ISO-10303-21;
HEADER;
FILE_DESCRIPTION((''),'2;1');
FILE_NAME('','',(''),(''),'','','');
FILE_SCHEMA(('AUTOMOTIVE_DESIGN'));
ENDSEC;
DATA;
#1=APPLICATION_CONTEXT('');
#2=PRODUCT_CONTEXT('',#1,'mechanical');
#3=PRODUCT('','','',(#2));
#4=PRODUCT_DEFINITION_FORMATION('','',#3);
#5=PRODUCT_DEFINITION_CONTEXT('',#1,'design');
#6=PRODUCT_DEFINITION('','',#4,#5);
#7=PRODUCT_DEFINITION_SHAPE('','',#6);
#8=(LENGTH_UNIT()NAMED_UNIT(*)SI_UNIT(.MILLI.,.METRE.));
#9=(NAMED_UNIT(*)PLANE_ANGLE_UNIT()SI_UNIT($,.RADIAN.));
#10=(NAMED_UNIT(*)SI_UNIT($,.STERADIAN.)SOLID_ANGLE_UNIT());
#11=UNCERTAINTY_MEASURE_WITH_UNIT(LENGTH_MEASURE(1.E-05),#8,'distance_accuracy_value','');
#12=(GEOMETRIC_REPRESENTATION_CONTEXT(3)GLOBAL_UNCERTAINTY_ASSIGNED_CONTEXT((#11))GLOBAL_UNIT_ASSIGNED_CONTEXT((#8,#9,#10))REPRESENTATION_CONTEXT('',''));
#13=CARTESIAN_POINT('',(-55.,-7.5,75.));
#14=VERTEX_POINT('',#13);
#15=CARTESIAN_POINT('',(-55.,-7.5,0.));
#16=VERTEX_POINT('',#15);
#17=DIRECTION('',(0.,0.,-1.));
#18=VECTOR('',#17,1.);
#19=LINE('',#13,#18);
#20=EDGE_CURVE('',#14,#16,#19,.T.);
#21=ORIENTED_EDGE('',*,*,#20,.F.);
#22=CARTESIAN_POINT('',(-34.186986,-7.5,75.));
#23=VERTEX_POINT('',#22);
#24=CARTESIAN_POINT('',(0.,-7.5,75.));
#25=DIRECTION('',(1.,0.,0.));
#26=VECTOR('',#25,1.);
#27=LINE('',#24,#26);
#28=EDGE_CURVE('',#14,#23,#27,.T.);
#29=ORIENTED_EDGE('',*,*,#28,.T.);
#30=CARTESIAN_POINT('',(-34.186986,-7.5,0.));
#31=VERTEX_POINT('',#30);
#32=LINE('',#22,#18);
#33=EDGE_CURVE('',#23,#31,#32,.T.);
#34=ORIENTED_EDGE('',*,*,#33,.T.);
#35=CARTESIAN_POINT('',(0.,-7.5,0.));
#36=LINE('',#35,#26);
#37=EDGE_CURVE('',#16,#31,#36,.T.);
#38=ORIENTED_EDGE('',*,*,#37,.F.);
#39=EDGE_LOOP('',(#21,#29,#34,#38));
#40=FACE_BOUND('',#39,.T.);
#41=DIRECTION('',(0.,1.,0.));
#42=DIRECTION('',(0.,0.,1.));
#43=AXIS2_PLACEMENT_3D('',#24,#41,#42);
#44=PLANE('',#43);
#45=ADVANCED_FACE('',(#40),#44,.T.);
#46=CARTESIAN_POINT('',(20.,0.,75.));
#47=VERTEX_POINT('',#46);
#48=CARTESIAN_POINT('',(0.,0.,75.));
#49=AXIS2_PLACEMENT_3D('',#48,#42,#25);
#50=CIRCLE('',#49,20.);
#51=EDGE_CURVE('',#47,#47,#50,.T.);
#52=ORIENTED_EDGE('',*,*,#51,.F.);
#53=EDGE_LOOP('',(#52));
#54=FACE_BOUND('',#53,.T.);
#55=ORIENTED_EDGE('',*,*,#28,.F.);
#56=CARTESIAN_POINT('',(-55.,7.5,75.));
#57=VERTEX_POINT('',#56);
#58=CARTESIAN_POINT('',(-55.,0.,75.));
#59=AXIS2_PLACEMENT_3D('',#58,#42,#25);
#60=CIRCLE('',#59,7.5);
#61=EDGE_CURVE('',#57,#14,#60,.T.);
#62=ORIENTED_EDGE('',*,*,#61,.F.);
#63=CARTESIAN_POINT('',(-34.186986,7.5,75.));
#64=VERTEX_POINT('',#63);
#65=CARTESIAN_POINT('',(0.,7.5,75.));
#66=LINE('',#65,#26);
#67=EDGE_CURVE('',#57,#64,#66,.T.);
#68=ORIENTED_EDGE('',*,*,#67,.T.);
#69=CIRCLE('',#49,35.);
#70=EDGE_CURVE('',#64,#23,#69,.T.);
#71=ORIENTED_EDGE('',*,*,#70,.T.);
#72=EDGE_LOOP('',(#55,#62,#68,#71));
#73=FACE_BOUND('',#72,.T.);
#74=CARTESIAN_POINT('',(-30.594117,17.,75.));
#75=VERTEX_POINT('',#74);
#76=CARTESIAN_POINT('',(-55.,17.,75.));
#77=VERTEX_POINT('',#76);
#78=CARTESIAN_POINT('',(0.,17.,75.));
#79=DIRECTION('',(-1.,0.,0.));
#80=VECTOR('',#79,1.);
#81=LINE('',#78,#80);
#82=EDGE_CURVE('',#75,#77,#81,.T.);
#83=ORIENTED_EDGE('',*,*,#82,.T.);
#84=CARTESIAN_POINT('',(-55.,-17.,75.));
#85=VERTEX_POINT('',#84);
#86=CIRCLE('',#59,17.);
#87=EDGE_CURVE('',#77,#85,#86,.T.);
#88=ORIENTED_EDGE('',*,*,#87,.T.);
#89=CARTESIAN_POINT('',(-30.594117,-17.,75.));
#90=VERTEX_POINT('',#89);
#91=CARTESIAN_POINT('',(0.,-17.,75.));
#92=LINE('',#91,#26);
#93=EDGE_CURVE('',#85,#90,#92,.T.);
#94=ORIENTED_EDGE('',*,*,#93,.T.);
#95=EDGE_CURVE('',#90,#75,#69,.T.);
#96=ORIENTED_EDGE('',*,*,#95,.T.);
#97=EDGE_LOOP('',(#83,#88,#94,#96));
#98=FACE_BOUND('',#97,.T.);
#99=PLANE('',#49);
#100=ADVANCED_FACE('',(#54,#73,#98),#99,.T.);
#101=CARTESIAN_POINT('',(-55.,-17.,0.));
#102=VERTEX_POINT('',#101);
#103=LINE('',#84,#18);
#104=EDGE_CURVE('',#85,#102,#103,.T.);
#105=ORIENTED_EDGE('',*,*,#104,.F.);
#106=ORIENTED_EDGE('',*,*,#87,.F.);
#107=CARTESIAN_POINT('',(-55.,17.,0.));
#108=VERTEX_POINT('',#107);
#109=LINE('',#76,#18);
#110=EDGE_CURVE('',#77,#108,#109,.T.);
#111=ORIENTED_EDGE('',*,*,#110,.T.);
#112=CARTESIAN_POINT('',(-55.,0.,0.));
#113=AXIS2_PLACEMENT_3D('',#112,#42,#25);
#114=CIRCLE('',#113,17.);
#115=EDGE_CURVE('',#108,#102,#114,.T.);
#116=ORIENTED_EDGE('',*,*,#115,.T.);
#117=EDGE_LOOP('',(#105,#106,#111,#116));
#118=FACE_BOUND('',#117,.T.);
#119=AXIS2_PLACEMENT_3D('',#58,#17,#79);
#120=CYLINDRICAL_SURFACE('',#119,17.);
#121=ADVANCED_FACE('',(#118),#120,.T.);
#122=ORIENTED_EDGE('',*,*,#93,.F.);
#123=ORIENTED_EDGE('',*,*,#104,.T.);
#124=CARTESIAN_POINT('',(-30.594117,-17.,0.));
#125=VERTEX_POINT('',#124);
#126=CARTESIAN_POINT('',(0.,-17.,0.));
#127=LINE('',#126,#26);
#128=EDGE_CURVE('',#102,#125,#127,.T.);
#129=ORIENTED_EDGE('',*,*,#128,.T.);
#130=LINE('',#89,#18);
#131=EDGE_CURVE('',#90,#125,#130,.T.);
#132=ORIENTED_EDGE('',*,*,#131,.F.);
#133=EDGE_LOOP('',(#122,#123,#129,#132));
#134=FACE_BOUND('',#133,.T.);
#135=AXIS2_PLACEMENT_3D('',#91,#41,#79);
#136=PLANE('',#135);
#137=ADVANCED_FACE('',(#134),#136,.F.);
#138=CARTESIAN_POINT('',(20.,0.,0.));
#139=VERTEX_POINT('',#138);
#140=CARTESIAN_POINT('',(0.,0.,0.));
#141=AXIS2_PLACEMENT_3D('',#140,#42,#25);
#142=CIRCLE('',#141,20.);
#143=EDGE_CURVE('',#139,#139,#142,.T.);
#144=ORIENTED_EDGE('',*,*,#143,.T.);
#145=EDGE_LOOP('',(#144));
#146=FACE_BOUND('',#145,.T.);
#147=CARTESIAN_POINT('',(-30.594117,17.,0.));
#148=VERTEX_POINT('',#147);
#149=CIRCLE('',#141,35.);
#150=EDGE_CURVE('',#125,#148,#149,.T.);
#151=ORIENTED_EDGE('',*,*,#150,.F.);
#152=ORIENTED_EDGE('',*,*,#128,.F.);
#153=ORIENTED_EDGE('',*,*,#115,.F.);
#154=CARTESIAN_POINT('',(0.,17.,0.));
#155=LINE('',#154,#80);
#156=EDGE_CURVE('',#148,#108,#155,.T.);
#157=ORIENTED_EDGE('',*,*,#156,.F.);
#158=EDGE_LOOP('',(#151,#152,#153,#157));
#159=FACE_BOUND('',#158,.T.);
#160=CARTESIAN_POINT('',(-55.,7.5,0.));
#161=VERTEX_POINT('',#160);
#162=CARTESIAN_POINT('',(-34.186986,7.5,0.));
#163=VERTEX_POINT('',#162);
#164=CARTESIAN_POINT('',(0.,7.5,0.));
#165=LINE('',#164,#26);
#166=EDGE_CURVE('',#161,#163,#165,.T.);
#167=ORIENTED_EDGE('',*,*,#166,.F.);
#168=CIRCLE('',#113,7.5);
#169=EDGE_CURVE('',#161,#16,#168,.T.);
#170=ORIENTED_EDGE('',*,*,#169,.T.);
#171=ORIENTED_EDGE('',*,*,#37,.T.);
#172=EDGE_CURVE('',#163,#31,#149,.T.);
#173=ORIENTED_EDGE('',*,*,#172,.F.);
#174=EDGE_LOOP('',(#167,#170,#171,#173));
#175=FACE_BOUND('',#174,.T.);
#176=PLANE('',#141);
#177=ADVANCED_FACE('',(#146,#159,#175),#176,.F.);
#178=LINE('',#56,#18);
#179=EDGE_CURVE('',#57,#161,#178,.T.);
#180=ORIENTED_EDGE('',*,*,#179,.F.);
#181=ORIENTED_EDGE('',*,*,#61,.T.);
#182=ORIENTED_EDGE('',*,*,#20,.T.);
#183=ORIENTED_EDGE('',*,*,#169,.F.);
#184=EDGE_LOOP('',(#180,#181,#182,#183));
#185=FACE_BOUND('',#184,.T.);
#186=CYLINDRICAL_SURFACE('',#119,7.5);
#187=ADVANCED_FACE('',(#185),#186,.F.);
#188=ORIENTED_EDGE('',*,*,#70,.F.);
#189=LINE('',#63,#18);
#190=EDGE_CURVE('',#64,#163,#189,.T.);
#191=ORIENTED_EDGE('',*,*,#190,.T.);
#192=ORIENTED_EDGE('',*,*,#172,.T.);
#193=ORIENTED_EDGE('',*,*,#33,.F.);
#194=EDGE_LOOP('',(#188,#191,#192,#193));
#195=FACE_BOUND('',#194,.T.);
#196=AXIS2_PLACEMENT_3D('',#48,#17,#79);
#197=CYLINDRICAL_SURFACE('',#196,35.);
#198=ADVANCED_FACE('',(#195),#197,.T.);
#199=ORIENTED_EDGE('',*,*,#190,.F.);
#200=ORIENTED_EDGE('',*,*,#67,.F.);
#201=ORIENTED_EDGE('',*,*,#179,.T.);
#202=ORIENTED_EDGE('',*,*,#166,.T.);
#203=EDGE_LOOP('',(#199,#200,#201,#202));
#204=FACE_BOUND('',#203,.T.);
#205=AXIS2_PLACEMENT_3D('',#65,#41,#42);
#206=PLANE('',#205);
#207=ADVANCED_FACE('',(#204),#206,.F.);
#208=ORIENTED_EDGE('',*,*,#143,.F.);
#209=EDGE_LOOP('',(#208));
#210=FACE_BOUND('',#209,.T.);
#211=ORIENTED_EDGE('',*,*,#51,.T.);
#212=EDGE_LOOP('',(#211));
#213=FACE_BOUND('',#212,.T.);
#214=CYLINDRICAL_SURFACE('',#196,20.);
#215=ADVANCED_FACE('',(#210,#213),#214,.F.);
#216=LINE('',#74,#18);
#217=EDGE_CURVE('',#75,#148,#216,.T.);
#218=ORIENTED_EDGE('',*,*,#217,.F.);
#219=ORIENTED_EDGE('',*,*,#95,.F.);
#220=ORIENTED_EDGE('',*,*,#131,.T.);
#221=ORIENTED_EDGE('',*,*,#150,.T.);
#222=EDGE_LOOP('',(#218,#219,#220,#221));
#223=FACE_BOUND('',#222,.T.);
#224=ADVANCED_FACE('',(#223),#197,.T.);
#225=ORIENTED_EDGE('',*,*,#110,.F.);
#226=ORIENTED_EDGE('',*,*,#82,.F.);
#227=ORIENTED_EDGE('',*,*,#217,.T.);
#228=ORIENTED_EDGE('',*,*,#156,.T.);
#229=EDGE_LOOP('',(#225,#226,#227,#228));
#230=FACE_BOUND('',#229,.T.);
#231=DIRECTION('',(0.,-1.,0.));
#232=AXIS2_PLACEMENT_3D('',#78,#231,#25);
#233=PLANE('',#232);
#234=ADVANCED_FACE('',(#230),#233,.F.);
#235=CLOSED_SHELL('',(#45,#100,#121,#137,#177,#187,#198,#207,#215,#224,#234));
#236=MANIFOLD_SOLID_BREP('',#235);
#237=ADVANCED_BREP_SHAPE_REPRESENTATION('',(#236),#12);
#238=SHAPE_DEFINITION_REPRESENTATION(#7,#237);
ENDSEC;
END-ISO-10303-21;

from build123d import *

# Parameters (mm, degrees)
SKETCH1_R           = 35
SKETCH1_R_2         = 20
BOSS_EXTRUDE1_DEPTH = 75


with BuildPart() as part:
    # Sketch1 → Boss-Extrude1 (new body)
    # profile 1 of 2: a face of its own
    with BuildSketch(Plane.XY):
        Circle(SKETCH1_R)
        Circle(SKETCH1_R_2, mode=Mode.SUBTRACT)
    # profile 2 of 2: a face of its own
    with BuildSketch(Plane.XY):
        with BuildLine():
            ThreePointArc((-34.186985828, 7.5), (-32.736987087, 12.381020816), (-30.594117082, 17))
            Line((-30.594117082, 17), (-55, 17))
            ThreePointArc((-55, 17), (-72, 0), (-55, -17))
            Line((-55, -17), (-30.594117082, -17))
            ThreePointArc((-30.594117082, -17), (-32.736987087, -12.381020816), (-34.186985828, -7.5))
            Line((-34.186985828, -7.5), (-55, -7.5))
            ThreePointArc((-55, -7.5), (-62.5, 0), (-55, 7.5))
            Line((-55, 7.5), (-34.186985828, 7.5))
        make_face()
    extrude(amount=BOSS_EXTRUDE1_DEPTH)


solid = part.part
